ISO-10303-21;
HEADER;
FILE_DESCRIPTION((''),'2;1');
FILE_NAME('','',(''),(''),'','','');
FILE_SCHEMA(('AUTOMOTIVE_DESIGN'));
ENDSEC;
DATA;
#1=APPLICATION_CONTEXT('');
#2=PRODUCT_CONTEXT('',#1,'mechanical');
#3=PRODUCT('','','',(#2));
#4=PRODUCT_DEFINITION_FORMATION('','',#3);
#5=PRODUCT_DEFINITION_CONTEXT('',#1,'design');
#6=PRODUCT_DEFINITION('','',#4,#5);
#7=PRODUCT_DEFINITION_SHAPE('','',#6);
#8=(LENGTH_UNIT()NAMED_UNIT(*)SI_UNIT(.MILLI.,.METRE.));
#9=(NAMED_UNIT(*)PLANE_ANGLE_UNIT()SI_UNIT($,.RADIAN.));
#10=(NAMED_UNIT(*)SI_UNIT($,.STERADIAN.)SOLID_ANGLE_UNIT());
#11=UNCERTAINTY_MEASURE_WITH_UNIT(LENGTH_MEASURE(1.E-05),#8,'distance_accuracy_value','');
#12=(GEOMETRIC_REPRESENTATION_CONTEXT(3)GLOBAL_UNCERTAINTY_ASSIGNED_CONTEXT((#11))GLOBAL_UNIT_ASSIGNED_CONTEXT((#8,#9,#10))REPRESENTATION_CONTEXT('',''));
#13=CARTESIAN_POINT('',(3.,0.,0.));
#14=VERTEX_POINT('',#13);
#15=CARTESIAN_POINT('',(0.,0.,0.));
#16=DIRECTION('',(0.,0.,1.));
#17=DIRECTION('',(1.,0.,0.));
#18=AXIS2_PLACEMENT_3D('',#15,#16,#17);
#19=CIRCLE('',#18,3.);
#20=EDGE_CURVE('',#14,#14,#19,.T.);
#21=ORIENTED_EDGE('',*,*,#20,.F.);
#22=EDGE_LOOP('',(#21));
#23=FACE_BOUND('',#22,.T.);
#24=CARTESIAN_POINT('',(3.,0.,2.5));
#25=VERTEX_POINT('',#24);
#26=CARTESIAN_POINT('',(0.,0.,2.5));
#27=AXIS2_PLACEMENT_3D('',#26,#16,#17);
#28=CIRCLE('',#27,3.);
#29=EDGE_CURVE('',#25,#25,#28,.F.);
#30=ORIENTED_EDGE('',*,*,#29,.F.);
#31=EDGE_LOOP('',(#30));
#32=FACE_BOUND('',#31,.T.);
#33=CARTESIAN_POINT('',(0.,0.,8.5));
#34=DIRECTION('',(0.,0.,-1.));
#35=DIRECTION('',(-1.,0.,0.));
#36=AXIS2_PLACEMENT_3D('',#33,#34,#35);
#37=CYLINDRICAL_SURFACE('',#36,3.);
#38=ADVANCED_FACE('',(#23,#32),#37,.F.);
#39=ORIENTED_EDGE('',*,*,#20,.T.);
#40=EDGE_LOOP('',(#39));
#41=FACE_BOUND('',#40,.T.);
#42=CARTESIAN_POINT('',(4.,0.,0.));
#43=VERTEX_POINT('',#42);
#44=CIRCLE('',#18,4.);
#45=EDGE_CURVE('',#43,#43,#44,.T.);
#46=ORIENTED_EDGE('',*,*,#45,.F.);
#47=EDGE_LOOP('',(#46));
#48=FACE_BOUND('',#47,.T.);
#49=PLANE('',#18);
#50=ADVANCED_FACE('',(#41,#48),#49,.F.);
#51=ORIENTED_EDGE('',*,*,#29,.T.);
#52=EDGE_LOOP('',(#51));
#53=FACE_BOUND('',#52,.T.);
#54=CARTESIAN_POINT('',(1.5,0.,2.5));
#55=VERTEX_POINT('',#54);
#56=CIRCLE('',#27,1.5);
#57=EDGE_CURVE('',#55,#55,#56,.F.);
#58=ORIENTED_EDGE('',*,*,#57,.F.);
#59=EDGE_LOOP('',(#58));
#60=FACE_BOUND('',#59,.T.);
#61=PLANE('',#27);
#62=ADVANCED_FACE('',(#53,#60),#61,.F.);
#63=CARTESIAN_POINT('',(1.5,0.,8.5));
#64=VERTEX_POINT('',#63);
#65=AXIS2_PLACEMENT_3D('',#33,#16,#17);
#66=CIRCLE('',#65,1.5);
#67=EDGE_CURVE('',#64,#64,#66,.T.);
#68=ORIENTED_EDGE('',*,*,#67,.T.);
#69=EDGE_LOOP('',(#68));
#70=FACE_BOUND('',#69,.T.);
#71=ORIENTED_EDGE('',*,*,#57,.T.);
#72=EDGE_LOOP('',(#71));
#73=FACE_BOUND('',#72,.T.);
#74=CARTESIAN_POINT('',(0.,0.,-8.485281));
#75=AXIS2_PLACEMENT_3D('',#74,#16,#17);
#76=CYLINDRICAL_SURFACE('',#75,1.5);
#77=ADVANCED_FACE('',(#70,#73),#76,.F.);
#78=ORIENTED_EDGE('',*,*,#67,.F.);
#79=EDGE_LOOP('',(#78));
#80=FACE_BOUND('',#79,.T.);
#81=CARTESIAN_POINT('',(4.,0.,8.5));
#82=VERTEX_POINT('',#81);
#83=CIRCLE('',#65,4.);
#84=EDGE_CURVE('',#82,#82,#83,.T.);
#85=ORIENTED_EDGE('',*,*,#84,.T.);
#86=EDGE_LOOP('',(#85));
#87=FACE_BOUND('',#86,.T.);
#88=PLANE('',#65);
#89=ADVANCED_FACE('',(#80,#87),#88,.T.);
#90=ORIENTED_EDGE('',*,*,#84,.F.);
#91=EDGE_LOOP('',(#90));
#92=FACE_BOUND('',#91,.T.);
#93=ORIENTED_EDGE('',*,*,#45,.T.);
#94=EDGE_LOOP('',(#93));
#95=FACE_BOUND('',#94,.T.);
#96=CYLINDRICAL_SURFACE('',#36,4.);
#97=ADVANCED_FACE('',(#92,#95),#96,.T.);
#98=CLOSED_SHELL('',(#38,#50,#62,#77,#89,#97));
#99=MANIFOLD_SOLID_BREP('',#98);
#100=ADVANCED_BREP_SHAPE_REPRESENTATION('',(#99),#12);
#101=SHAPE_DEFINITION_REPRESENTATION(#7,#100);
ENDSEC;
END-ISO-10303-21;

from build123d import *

# Parameters (mm, degrees)
SKETCH1_R           = 4
SKETCH1_R_2         = 3
BOSS_EXTRUDE1_DEPTH = 8.5
BOSS_EXTRUDE2_START = -6
SKETCH2_R           = 3
SKETCH2_R_2         = 1.5
BOSS_EXTRUDE2_DEPTH = 6


with BuildPart() as part:
    # Sketch1 → Boss-Extrude1 (new body)
    with BuildSketch(Plane.XY):
        Circle(SKETCH1_R)
        Circle(SKETCH1_R_2, mode=Mode.SUBTRACT)
    extrude(amount=BOSS_EXTRUDE1_DEPTH)

    # Sketch2 → Boss-Extrude2 (add)
    with BuildSketch(Plane.XY.offset(8.5).offset(BOSS_EXTRUDE2_START)):
        Circle(SKETCH2_R)
        Circle(SKETCH2_R_2, mode=Mode.SUBTRACT)
    extrude(amount=BOSS_EXTRUDE2_DEPTH)


solid = part.part
